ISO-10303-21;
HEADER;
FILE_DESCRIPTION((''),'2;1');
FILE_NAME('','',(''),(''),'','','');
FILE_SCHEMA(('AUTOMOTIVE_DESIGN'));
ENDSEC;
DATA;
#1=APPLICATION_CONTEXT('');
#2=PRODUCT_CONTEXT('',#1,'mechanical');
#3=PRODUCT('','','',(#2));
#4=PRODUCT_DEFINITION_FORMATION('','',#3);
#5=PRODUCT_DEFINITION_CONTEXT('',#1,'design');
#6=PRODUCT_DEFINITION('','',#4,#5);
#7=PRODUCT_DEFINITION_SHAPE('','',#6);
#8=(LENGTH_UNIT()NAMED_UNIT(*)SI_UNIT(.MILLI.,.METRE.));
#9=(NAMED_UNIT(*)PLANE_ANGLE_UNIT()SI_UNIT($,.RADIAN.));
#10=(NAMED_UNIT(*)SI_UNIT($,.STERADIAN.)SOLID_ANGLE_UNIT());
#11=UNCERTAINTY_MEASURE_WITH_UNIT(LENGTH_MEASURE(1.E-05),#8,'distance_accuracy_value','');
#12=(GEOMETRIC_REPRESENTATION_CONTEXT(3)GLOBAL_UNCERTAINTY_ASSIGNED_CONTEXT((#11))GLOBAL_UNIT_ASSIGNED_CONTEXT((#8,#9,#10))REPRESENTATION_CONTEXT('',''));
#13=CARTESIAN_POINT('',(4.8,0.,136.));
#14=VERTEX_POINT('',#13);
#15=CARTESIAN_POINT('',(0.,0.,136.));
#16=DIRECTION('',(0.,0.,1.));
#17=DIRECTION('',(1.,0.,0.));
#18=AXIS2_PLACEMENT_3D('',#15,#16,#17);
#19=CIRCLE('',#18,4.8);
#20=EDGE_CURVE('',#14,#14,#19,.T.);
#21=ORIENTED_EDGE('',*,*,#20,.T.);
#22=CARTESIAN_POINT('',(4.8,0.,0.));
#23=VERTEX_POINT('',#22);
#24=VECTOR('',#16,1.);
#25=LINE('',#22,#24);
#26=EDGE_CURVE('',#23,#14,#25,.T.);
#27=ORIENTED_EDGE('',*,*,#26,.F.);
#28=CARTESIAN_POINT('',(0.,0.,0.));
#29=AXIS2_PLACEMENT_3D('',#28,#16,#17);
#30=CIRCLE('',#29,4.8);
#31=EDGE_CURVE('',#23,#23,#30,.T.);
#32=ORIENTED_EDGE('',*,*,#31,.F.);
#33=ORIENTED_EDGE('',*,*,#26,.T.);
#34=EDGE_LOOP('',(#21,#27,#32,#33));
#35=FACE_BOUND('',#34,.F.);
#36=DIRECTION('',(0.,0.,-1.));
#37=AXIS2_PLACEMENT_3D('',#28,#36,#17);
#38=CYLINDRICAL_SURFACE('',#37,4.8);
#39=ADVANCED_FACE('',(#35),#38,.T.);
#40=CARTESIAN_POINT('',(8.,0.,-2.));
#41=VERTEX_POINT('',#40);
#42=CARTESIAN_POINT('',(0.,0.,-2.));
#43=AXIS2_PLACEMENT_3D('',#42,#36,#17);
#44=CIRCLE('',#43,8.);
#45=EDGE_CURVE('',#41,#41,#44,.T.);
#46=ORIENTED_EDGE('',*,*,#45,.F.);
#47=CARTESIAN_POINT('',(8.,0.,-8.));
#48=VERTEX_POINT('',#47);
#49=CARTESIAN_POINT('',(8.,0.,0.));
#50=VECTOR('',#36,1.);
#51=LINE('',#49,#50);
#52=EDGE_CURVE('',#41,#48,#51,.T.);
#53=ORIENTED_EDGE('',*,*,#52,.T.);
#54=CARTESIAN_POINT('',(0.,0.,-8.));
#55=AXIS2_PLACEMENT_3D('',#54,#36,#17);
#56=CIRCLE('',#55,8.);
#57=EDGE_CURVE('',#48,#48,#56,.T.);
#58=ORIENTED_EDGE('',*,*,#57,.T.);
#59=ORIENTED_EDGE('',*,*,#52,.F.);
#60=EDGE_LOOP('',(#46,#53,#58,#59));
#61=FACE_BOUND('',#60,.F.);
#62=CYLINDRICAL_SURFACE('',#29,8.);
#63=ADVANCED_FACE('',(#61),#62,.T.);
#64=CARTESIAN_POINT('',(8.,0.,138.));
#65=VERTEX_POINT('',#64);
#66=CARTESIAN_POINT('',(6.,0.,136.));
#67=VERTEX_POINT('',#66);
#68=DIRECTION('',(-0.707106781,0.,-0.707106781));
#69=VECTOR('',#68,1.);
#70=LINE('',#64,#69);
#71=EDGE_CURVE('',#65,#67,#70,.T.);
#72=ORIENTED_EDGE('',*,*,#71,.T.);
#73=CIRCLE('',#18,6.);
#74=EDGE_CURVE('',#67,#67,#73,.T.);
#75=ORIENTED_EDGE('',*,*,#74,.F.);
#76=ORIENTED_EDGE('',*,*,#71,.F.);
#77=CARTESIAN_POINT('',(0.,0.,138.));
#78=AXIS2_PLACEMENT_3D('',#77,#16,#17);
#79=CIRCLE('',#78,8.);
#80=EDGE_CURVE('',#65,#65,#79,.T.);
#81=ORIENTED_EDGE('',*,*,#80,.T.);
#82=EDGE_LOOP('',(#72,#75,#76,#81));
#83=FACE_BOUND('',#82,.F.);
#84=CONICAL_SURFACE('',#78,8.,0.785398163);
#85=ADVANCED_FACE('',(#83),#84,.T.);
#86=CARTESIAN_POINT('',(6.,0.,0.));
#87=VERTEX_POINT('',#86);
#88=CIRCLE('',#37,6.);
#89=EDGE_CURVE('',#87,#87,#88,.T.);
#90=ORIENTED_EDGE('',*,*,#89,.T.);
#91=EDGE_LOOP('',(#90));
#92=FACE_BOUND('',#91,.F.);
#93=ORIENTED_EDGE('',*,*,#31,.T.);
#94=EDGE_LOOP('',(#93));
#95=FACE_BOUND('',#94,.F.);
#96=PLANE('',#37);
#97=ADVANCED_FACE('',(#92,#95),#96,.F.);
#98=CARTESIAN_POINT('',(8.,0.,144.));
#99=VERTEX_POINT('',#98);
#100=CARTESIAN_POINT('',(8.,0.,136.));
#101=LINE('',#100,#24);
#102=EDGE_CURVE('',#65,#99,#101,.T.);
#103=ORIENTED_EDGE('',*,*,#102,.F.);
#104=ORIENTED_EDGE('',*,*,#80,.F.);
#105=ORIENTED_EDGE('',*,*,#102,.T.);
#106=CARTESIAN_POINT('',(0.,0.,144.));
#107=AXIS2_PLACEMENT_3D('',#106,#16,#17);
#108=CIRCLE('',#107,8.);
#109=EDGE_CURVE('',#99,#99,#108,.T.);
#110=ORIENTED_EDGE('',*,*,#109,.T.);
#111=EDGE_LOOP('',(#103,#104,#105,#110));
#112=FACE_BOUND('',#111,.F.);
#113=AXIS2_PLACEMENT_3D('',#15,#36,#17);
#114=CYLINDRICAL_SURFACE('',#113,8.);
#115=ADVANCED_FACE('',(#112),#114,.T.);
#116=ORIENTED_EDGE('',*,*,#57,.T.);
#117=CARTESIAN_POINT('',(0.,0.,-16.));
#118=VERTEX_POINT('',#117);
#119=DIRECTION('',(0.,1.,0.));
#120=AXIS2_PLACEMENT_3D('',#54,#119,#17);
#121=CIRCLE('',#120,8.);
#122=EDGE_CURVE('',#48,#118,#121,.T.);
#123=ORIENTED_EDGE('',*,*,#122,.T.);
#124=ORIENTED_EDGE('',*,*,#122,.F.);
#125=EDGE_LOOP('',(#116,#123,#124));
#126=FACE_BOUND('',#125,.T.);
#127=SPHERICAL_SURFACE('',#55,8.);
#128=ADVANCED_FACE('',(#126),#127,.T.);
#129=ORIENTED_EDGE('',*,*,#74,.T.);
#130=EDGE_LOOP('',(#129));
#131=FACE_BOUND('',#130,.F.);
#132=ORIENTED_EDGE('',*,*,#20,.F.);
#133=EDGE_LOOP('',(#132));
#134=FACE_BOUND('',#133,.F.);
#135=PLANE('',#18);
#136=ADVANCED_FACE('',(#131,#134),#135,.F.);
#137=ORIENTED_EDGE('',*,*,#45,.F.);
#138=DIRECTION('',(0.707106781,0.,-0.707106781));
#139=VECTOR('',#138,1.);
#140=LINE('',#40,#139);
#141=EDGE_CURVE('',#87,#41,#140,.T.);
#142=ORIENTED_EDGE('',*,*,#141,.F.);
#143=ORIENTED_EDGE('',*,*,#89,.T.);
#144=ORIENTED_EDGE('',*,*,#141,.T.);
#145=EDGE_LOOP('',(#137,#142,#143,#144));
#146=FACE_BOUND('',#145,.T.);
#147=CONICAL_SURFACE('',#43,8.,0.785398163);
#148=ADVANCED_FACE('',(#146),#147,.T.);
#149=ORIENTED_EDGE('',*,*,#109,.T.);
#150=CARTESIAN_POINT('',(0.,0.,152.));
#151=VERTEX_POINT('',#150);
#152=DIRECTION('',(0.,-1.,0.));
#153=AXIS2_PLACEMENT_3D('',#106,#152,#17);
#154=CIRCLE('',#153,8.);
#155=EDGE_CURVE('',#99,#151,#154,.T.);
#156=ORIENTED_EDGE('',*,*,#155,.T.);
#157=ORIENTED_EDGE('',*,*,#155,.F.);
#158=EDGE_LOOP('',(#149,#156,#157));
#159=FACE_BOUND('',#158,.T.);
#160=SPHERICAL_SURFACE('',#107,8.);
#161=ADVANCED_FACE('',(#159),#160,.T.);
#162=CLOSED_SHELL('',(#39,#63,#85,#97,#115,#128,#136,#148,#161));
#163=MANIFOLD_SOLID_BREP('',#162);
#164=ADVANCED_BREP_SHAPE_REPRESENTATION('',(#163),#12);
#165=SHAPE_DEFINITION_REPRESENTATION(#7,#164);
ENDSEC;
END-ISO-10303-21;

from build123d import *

# Parameters (mm, degrees)
F0_R     = 4.8
F1_DEPTH = 136
F2_R     = 8
F3_DEPTH = 16
F4_R     = 8
F5_DEPTH = 16
F6_R     = 8
F7_SIZE  = 2


with BuildPart() as f1:
    # F0 (on Top) → F1 (new body)
    with BuildSketch(Plane.XY):
        Circle(F0_R)
    extrude(amount=F1_DEPTH)

    # F2 (on face) → F3 (join)
    with BuildSketch(Plane(origin=(0, 0, 0), x_dir=(1, 0, 0), z_dir=(0, 0, -1))):
        Circle(F2_R)
    extrude(amount=F3_DEPTH)

    # F4 (on face) → F5 (join)
    with BuildSketch(Plane.XY.offset(136)):
        Circle(F4_R)
    extrude(amount=F5_DEPTH)

    # F6
    f6_edges = [f1.edges().sort_by_distance(p)[0] for p in [
        (-8, 0, -16),
        (-8, 0, 152),
    ]]
    fillet(f6_edges, radius=F6_R)

    # F7
    f7_edges = [f1.edges().sort_by_distance(p)[0] for p in [
        (-8, 0, 0),
        (-8, 0, 136),
    ]]
    chamfer(f7_edges, length=F7_SIZE)


solid = f1.part
